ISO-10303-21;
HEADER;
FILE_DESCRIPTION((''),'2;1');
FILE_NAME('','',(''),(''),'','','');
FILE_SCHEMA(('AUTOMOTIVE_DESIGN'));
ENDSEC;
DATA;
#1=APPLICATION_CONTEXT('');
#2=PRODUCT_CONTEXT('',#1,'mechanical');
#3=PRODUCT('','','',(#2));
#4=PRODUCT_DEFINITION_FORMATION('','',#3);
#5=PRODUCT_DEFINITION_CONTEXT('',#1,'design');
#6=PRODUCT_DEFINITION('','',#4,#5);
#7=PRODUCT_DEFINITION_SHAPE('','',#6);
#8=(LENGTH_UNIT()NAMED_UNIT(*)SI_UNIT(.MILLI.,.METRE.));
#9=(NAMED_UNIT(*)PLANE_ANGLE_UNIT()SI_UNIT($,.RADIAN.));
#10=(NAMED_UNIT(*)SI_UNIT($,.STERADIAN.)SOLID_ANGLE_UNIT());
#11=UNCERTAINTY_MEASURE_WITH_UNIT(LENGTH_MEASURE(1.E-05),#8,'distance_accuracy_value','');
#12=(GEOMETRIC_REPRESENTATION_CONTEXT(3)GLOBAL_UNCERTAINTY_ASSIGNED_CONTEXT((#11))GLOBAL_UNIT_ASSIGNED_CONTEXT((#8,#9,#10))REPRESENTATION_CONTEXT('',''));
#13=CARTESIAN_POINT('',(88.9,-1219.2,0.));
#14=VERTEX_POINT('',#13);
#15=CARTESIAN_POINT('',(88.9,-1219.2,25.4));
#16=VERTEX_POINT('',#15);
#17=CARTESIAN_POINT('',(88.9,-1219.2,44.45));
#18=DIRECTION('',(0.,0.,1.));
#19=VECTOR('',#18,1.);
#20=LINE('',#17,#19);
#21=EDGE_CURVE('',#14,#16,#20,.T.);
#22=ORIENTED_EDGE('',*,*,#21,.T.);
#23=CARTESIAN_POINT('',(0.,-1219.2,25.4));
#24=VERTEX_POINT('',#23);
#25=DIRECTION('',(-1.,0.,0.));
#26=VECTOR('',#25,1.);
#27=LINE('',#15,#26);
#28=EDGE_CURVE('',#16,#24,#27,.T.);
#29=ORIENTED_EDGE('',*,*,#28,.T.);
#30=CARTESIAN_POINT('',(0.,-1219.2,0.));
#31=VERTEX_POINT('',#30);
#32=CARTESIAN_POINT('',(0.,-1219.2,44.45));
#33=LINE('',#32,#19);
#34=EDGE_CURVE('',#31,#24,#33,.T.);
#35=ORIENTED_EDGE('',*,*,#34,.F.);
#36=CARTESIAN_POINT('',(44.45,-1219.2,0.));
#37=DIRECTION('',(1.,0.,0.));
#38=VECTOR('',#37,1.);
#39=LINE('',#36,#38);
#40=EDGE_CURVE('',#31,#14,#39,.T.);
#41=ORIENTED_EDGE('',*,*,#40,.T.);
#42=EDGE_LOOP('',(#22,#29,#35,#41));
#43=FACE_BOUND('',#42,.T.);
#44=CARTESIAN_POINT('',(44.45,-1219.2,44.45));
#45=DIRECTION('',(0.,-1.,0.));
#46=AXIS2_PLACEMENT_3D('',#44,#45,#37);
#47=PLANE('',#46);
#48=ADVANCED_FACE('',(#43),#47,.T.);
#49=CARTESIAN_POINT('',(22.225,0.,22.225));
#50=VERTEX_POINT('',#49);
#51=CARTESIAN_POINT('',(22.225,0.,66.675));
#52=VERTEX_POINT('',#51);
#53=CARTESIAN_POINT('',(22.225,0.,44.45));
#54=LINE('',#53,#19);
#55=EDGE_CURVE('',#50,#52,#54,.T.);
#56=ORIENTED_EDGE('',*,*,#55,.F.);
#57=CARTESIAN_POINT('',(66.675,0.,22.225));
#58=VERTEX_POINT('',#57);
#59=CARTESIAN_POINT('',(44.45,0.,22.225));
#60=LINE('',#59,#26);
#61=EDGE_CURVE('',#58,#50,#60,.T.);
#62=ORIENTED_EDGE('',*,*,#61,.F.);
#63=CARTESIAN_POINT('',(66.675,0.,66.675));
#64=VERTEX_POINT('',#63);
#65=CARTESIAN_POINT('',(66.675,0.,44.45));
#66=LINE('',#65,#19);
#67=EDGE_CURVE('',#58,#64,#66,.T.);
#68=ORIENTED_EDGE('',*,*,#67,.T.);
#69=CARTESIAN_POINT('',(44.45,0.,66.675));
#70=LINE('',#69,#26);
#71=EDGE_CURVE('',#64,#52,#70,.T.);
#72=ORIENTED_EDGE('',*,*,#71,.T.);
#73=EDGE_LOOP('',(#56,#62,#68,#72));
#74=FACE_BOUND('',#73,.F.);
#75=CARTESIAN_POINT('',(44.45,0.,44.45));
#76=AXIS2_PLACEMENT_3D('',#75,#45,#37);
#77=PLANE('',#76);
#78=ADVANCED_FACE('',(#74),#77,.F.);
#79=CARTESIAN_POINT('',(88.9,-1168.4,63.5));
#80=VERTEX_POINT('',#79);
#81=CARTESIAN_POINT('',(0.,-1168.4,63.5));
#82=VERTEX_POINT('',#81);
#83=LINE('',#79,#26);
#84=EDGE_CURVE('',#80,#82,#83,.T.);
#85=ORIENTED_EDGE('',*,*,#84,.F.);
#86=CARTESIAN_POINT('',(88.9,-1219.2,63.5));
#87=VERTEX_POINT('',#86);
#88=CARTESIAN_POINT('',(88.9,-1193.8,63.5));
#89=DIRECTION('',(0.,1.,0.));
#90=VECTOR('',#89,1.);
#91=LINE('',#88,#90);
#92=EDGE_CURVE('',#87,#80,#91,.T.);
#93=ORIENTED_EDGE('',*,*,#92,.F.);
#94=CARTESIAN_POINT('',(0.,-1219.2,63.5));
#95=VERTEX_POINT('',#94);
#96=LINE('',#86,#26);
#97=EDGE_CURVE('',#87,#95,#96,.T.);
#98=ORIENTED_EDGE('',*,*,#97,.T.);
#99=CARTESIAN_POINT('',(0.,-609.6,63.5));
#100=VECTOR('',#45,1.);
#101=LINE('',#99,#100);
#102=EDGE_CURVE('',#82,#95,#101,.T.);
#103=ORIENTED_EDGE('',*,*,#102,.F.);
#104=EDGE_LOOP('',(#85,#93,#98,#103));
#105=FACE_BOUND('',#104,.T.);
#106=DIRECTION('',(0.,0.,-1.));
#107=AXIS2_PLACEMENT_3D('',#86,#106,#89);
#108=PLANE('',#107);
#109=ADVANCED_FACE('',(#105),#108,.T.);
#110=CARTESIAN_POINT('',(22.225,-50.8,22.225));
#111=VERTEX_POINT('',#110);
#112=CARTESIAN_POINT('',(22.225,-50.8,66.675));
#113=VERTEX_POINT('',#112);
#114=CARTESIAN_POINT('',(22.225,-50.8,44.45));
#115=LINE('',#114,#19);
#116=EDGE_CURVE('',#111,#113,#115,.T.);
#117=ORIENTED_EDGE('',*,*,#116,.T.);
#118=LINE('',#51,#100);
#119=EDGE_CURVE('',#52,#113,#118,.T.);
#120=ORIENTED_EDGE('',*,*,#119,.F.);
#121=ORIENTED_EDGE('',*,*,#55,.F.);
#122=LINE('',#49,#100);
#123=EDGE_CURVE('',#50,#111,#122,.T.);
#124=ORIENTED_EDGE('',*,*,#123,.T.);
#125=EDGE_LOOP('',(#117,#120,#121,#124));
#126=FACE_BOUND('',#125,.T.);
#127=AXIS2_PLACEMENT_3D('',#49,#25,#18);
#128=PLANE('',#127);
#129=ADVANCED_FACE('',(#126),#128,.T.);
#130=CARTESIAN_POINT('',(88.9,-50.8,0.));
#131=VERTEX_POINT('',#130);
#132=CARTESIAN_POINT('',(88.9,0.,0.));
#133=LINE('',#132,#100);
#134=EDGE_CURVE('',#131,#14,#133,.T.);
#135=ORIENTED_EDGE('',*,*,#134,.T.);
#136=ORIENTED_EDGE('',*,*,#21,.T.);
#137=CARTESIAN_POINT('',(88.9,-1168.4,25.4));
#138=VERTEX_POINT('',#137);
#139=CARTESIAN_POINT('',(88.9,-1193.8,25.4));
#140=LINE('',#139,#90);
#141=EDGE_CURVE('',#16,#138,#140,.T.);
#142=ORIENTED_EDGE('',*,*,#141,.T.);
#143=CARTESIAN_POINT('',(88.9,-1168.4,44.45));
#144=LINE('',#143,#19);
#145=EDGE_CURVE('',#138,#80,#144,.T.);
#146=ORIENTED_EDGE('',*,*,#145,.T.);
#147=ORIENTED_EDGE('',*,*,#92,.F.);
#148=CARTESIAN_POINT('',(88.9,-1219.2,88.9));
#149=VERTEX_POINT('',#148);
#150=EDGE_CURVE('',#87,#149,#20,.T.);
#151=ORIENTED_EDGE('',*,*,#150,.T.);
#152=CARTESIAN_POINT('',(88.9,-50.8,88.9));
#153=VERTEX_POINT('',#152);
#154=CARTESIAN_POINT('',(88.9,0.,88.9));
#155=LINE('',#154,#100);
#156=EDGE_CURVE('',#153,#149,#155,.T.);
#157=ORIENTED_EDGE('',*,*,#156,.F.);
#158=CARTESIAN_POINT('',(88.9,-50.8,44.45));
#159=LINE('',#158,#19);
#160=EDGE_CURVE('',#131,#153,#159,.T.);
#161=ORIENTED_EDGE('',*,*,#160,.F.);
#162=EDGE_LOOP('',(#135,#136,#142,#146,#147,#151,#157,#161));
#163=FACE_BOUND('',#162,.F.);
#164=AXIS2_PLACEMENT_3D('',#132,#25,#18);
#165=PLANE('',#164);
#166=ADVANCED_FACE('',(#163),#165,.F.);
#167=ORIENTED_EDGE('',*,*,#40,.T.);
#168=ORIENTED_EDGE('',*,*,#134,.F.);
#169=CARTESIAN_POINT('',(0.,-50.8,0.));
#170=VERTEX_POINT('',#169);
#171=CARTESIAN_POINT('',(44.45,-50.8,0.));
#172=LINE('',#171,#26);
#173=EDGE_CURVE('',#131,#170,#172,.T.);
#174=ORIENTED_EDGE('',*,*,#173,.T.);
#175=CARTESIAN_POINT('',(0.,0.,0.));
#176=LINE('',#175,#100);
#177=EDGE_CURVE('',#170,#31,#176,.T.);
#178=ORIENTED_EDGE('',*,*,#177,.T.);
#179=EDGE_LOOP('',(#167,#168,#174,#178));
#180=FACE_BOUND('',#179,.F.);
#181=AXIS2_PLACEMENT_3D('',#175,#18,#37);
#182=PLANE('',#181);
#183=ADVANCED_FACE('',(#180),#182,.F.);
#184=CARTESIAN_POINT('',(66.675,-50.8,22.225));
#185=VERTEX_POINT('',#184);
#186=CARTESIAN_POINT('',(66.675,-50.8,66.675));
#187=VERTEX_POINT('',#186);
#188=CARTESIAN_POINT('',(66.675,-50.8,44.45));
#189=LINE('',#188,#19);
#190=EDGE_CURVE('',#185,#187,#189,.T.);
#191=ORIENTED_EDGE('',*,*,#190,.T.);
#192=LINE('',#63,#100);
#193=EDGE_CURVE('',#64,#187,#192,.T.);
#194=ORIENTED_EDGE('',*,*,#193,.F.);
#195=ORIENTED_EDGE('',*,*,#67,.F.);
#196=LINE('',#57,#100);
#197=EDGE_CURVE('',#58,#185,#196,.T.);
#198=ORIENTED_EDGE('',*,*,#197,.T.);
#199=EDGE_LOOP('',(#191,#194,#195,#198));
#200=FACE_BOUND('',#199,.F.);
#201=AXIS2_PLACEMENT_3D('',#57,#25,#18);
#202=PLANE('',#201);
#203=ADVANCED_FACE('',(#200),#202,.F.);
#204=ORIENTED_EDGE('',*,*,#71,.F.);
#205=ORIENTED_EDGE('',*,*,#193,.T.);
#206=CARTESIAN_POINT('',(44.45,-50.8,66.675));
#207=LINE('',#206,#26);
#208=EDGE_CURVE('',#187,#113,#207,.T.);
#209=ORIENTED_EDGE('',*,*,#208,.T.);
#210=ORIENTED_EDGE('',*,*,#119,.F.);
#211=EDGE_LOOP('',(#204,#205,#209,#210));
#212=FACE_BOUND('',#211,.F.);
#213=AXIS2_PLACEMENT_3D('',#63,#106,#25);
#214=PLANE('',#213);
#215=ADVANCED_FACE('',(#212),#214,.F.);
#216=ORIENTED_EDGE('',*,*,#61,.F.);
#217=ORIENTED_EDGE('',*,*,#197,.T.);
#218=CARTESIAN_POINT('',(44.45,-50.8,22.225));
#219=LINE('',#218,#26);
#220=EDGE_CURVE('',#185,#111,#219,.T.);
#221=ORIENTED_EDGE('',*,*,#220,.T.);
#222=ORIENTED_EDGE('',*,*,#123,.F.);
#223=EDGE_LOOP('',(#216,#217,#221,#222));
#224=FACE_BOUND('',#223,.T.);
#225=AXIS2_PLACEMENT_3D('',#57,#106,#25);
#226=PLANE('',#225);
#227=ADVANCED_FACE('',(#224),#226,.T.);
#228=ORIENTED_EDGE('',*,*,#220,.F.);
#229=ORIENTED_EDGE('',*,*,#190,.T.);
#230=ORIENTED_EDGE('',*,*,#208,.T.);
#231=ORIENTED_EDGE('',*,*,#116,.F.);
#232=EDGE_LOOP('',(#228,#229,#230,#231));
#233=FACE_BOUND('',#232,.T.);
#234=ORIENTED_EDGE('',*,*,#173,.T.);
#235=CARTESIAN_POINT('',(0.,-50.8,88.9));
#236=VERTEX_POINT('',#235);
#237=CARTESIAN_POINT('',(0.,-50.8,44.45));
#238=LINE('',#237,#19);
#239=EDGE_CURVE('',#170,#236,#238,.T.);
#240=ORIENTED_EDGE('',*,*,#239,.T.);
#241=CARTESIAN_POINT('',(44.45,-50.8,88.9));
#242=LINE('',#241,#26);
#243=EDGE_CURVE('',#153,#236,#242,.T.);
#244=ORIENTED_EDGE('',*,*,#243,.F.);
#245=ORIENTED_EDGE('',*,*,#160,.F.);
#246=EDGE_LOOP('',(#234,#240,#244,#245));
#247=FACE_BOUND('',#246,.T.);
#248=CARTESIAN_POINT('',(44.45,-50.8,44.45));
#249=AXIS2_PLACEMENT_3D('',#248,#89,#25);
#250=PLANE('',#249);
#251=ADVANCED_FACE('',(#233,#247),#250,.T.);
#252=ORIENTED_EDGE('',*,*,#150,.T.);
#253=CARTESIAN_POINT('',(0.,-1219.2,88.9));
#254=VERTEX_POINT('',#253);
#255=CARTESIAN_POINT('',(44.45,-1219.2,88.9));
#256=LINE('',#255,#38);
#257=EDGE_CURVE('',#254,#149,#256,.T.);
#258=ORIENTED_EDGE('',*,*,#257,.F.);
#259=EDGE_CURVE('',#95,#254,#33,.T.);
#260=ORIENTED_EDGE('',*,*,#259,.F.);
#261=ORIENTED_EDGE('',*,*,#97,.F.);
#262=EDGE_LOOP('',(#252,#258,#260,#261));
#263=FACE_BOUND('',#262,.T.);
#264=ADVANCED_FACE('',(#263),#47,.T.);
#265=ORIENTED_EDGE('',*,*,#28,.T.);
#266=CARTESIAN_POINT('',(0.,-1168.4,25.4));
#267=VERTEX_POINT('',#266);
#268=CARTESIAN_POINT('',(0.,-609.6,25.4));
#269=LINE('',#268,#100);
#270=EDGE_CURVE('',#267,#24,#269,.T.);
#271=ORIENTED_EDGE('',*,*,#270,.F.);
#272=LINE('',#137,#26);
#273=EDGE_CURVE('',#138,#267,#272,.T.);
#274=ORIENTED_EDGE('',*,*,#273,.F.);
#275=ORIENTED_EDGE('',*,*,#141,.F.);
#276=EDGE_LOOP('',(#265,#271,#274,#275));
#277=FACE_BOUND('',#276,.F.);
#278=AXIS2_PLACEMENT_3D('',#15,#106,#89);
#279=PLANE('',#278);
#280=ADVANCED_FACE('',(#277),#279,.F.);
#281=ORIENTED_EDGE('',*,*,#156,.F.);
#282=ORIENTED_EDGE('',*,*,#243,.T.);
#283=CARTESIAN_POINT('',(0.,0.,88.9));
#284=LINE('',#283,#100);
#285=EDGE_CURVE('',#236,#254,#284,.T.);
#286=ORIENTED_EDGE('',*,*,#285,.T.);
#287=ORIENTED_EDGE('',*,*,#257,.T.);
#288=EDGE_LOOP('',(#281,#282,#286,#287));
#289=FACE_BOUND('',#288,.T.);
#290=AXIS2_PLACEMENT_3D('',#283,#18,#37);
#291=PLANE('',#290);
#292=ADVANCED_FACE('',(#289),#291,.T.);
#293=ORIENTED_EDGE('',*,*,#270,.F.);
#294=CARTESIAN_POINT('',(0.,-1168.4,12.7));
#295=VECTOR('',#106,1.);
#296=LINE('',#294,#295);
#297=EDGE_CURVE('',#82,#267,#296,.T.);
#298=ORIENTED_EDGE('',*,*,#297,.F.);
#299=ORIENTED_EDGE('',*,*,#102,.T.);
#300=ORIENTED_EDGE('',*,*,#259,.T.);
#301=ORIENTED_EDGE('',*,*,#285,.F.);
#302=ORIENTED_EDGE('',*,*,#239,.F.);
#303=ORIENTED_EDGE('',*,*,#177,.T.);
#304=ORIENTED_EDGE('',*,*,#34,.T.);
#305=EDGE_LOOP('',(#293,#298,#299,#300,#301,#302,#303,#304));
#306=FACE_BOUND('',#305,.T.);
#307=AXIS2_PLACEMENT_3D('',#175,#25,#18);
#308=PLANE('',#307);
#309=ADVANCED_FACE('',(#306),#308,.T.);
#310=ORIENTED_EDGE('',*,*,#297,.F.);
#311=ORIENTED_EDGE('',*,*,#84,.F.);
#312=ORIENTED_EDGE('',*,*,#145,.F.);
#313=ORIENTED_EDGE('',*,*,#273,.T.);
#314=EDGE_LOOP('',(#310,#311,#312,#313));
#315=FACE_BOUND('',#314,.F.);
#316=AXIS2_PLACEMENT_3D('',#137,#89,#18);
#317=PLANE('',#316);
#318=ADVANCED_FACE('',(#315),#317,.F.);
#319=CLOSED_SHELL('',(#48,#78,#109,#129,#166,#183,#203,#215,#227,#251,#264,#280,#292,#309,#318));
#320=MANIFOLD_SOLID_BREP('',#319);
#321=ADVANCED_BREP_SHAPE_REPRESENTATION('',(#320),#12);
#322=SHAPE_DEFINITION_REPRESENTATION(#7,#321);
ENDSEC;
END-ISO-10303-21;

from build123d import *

# Parameters (mm, degrees)
F0_W     = 88.9
F0_H     = 88.9
F1_DEPTH = 1219.2
F2_W     = 50.8
F2_H     = 38.1
F3_DEPTH = 101.6
F4_W     = 88.9
F4_H     = 88.9
F4_W_2   = 44.45
F4_H_2   = 44.45
F5_DEPTH = 50.8


with BuildPart() as f1:
    # F0 (on Front) → F1 (new body)
    with BuildSketch(Plane.XZ):
        with Locations((44.45, 44.45)):
            Rectangle(F0_W, F0_H)
    extrude(amount=F1_DEPTH)

    # F2 (on face) → F3 (cut)
    with BuildSketch(Plane.YZ.offset(88.9)):
        with Locations((-1193.8, 44.45)):
            Rectangle(F2_W, F2_H)
    extrude(amount=-F3_DEPTH, mode=Mode.SUBTRACT)

    # F4 (on face) → F5 (cut)
    with BuildSketch(Plane(origin=(0, 0, 0), x_dir=(-1, 0, 0), z_dir=(0, 1, 0))):
        with Locations((-44.45, 44.45)):
            Rectangle(F4_W, F4_H)
        with Locations((-44.45, 44.45)):
            Rectangle(F4_W_2, F4_H_2, mode=Mode.SUBTRACT)
    extrude(amount=-F5_DEPTH, mode=Mode.SUBTRACT)


solid = f1.part
